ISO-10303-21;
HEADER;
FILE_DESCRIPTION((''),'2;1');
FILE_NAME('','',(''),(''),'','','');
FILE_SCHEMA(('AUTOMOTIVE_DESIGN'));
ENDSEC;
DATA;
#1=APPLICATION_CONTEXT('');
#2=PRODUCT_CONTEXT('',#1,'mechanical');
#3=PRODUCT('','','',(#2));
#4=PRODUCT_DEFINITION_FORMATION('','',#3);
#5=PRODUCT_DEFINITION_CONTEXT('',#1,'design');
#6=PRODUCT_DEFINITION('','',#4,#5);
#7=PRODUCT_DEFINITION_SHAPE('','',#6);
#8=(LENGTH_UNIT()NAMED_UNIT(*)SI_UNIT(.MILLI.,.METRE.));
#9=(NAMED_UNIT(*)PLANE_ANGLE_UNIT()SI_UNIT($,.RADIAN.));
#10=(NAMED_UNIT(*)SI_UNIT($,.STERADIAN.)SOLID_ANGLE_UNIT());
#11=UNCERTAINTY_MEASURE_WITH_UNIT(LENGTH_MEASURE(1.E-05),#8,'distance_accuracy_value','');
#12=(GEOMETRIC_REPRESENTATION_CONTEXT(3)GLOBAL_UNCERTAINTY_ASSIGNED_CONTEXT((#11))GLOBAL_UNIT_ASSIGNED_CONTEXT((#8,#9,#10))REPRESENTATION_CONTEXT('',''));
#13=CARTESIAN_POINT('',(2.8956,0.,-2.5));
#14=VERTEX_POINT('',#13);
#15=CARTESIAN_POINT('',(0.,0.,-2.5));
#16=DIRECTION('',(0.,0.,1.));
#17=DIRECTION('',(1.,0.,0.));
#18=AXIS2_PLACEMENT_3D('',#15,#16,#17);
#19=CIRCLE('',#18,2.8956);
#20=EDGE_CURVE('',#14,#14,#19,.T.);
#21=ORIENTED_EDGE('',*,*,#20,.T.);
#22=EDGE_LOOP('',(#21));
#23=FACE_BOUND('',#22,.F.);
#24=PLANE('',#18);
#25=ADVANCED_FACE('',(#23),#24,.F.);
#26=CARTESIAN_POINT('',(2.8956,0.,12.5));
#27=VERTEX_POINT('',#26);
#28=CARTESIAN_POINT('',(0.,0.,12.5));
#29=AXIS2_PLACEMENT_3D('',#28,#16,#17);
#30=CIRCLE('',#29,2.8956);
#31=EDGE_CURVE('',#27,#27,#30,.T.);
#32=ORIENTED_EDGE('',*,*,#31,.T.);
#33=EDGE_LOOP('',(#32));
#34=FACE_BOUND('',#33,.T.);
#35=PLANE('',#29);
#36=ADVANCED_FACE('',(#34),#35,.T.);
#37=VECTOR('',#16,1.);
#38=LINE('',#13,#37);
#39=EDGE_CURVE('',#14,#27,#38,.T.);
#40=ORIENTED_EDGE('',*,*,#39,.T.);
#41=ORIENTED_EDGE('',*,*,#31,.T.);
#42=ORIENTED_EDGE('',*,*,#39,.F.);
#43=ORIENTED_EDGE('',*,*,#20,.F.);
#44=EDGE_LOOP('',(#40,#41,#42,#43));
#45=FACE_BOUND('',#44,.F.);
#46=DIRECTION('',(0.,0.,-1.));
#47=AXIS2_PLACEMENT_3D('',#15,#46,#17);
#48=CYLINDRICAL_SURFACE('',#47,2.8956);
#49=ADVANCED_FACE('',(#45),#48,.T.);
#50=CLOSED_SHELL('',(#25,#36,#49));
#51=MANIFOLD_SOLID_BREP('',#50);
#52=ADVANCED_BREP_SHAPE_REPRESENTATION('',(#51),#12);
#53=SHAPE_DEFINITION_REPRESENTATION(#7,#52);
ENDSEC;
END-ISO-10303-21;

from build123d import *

# Parameters (mm, degrees)
CYLINDER_R     = 2.8956
CYLINDER_DEPTH = 15


with BuildPart() as part:
    # Cylinder → Cylinder (new body)
    with BuildSketch(Plane.XY.offset(-2.5)):
        Circle(CYLINDER_R)
    extrude(amount=CYLINDER_DEPTH)


solid = part.part
